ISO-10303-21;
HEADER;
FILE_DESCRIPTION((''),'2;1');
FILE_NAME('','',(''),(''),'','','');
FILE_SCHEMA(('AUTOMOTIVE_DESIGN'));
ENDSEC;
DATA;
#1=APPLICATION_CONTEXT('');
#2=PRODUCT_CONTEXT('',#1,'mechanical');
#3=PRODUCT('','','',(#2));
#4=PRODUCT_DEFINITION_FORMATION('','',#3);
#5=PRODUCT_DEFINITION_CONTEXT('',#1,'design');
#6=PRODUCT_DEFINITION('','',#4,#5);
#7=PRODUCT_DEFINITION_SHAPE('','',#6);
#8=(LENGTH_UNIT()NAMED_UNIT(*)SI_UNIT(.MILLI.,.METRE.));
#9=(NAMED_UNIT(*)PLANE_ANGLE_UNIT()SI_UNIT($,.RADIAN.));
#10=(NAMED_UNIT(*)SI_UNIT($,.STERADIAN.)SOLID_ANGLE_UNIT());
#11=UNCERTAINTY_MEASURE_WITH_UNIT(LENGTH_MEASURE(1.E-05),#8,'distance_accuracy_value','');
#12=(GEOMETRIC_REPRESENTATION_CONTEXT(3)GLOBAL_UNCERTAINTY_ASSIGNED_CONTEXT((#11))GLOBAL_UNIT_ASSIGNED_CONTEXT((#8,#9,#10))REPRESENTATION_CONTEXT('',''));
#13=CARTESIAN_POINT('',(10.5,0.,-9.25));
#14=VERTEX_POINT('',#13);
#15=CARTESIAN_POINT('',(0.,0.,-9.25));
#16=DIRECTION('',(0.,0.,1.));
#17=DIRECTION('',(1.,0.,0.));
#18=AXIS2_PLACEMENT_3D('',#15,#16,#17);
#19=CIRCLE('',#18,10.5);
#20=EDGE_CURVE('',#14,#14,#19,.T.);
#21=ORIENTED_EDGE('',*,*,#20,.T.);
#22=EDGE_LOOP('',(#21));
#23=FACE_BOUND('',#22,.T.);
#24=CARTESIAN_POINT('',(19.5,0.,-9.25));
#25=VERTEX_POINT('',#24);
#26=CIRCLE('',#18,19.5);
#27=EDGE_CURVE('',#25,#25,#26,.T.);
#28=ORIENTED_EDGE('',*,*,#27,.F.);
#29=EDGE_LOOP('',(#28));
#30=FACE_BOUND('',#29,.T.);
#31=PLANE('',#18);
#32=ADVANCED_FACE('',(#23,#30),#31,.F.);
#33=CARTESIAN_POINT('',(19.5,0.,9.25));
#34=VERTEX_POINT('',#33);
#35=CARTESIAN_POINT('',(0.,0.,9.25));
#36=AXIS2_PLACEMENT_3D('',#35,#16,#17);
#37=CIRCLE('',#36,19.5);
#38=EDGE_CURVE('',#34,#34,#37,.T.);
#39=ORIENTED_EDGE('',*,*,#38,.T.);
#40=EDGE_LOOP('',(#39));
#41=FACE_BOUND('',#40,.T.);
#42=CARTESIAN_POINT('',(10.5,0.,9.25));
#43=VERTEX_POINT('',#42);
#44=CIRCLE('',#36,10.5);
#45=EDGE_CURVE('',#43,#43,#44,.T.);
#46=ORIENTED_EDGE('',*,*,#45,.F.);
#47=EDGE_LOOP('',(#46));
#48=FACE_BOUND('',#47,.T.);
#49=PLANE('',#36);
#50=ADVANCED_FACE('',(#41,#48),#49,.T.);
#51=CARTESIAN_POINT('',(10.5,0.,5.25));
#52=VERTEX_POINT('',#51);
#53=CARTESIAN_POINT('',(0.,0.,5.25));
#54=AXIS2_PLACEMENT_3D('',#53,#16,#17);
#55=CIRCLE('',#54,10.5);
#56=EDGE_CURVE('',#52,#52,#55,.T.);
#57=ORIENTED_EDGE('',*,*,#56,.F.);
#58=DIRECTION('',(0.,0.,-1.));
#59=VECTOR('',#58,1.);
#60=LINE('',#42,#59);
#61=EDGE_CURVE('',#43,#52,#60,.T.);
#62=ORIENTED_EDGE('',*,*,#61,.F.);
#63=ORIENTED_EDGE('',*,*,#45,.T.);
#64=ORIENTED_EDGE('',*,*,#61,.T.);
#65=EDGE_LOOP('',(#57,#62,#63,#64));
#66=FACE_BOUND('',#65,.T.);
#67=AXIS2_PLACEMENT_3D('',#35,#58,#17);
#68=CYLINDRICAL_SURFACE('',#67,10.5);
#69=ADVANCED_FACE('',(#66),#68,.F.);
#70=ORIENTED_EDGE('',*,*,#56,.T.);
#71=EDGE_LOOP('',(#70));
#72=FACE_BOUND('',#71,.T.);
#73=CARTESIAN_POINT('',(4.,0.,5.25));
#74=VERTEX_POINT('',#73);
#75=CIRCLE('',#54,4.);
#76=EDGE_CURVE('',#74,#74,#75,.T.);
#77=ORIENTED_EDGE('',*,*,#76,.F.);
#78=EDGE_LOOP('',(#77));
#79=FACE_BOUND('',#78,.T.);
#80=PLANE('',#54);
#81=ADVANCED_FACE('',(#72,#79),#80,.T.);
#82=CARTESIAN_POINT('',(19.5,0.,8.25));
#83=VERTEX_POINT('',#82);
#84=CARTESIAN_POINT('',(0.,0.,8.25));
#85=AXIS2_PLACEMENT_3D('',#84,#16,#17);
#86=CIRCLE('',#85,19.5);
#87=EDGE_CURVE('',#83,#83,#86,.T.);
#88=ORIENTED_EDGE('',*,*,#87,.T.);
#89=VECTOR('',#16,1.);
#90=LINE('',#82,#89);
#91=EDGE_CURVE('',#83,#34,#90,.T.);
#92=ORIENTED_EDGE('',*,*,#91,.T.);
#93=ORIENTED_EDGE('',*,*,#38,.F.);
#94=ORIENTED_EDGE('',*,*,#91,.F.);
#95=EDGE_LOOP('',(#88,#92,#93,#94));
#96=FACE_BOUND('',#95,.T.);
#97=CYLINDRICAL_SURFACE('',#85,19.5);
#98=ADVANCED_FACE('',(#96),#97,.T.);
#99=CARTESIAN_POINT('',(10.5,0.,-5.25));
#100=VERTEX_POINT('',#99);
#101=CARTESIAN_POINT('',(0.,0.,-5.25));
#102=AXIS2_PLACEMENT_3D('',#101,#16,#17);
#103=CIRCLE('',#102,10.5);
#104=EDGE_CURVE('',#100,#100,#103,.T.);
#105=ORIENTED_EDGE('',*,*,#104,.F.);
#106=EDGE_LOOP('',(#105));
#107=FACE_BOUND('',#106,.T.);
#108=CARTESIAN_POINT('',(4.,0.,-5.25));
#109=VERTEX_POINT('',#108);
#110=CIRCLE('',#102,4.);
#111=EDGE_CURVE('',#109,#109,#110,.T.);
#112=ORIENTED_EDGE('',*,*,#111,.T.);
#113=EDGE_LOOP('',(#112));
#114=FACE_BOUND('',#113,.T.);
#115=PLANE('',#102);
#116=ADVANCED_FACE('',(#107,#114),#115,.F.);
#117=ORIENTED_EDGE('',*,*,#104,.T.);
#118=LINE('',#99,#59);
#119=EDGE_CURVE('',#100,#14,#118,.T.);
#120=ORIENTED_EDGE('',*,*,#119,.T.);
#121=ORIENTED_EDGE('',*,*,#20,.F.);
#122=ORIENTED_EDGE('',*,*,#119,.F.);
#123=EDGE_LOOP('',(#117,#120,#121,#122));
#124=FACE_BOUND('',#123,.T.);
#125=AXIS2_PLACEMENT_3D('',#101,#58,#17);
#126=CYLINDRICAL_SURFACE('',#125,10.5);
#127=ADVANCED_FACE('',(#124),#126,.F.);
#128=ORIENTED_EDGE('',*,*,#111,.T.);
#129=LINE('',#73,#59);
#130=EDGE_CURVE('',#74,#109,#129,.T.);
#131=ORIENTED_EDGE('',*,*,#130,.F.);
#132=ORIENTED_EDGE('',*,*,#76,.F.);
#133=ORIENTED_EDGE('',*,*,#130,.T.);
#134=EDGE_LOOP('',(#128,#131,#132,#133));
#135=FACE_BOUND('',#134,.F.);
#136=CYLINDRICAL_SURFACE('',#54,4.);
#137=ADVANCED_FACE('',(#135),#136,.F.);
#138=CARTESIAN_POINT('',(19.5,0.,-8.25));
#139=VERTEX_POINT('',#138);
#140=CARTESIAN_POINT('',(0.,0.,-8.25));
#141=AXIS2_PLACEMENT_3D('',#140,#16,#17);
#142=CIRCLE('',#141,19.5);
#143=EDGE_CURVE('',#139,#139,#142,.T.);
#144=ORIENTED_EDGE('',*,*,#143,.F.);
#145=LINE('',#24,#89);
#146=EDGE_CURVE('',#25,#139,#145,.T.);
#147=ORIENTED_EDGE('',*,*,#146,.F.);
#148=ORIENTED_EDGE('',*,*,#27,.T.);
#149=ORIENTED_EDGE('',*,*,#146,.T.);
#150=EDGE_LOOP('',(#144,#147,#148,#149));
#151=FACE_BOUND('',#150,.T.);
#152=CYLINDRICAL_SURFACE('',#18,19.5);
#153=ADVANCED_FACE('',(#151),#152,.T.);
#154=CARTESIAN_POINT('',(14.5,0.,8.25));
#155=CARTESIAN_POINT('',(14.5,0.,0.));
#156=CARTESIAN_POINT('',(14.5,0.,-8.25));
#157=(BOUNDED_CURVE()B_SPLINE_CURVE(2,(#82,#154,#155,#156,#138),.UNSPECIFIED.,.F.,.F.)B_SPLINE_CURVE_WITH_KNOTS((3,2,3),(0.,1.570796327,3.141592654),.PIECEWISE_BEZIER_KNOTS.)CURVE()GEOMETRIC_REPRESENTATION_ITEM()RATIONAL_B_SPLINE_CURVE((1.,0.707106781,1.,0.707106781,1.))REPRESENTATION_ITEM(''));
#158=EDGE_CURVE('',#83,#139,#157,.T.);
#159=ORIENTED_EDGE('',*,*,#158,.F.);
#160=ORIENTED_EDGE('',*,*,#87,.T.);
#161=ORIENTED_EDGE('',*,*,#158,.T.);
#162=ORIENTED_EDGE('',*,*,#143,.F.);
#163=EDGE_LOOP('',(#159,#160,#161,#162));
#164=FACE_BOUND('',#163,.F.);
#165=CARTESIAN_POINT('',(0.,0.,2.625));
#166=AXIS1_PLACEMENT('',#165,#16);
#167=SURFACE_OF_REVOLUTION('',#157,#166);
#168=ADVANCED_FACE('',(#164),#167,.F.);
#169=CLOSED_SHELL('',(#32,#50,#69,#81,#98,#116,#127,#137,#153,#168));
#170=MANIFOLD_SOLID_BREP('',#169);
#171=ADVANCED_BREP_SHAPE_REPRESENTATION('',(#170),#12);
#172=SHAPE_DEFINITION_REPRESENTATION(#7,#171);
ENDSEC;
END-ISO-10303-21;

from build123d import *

# Parameters (mm, degrees)
F2_R     = 4
F3_DEPTH = 14.501


with BuildPart() as f1:
    # F0 (on Front) → F1 (revolve)
    with BuildSketch(Plane.XZ):
        with BuildLine():
            Line((19.5, 9.25), (10.5, 9.25))
            Line((10.5, 9.25), (10.5, 5.25))
            Line((10.5, 5.25), (0, 5.25))
            Line((0, 5.25), (0, 0))
            Line((0, 0), (0, -5.25))
            Line((0, -5.25), (10.5, -5.25))
            Line((10.5, -5.25), (10.5, -9.25))
            Line((10.5, -9.25), (19.5, -9.25))
            Line((19.5, -9.25), (19.5, -8.25))
            add(Edge.make_bspline(
                [(19.5, 8.25), (14.5, 8.25), (14.5, 0), (14.5, -8.25), (19.5, -8.25)],
                knots=[0, 0, 0, 1.5707963268, 1.5707963268, 3.1415926536, 3.1415926536, 3.1415926536], degree=2, weights=[1, 0.7071067812, 1, 0.7071067812, 1]))
            Line((19.5, 8.25), (19.5, 9.25))
        make_face()
    revolve(axis=Axis((0, 0, 2.625), (0, 0, 1)))

    # F2 (on face) → F3 (cut, through all)
    with BuildSketch(Plane.XY.offset(5.25)):
        Circle(F2_R)
    extrude(amount=-F3_DEPTH, mode=Mode.SUBTRACT)


solid = f1.part
